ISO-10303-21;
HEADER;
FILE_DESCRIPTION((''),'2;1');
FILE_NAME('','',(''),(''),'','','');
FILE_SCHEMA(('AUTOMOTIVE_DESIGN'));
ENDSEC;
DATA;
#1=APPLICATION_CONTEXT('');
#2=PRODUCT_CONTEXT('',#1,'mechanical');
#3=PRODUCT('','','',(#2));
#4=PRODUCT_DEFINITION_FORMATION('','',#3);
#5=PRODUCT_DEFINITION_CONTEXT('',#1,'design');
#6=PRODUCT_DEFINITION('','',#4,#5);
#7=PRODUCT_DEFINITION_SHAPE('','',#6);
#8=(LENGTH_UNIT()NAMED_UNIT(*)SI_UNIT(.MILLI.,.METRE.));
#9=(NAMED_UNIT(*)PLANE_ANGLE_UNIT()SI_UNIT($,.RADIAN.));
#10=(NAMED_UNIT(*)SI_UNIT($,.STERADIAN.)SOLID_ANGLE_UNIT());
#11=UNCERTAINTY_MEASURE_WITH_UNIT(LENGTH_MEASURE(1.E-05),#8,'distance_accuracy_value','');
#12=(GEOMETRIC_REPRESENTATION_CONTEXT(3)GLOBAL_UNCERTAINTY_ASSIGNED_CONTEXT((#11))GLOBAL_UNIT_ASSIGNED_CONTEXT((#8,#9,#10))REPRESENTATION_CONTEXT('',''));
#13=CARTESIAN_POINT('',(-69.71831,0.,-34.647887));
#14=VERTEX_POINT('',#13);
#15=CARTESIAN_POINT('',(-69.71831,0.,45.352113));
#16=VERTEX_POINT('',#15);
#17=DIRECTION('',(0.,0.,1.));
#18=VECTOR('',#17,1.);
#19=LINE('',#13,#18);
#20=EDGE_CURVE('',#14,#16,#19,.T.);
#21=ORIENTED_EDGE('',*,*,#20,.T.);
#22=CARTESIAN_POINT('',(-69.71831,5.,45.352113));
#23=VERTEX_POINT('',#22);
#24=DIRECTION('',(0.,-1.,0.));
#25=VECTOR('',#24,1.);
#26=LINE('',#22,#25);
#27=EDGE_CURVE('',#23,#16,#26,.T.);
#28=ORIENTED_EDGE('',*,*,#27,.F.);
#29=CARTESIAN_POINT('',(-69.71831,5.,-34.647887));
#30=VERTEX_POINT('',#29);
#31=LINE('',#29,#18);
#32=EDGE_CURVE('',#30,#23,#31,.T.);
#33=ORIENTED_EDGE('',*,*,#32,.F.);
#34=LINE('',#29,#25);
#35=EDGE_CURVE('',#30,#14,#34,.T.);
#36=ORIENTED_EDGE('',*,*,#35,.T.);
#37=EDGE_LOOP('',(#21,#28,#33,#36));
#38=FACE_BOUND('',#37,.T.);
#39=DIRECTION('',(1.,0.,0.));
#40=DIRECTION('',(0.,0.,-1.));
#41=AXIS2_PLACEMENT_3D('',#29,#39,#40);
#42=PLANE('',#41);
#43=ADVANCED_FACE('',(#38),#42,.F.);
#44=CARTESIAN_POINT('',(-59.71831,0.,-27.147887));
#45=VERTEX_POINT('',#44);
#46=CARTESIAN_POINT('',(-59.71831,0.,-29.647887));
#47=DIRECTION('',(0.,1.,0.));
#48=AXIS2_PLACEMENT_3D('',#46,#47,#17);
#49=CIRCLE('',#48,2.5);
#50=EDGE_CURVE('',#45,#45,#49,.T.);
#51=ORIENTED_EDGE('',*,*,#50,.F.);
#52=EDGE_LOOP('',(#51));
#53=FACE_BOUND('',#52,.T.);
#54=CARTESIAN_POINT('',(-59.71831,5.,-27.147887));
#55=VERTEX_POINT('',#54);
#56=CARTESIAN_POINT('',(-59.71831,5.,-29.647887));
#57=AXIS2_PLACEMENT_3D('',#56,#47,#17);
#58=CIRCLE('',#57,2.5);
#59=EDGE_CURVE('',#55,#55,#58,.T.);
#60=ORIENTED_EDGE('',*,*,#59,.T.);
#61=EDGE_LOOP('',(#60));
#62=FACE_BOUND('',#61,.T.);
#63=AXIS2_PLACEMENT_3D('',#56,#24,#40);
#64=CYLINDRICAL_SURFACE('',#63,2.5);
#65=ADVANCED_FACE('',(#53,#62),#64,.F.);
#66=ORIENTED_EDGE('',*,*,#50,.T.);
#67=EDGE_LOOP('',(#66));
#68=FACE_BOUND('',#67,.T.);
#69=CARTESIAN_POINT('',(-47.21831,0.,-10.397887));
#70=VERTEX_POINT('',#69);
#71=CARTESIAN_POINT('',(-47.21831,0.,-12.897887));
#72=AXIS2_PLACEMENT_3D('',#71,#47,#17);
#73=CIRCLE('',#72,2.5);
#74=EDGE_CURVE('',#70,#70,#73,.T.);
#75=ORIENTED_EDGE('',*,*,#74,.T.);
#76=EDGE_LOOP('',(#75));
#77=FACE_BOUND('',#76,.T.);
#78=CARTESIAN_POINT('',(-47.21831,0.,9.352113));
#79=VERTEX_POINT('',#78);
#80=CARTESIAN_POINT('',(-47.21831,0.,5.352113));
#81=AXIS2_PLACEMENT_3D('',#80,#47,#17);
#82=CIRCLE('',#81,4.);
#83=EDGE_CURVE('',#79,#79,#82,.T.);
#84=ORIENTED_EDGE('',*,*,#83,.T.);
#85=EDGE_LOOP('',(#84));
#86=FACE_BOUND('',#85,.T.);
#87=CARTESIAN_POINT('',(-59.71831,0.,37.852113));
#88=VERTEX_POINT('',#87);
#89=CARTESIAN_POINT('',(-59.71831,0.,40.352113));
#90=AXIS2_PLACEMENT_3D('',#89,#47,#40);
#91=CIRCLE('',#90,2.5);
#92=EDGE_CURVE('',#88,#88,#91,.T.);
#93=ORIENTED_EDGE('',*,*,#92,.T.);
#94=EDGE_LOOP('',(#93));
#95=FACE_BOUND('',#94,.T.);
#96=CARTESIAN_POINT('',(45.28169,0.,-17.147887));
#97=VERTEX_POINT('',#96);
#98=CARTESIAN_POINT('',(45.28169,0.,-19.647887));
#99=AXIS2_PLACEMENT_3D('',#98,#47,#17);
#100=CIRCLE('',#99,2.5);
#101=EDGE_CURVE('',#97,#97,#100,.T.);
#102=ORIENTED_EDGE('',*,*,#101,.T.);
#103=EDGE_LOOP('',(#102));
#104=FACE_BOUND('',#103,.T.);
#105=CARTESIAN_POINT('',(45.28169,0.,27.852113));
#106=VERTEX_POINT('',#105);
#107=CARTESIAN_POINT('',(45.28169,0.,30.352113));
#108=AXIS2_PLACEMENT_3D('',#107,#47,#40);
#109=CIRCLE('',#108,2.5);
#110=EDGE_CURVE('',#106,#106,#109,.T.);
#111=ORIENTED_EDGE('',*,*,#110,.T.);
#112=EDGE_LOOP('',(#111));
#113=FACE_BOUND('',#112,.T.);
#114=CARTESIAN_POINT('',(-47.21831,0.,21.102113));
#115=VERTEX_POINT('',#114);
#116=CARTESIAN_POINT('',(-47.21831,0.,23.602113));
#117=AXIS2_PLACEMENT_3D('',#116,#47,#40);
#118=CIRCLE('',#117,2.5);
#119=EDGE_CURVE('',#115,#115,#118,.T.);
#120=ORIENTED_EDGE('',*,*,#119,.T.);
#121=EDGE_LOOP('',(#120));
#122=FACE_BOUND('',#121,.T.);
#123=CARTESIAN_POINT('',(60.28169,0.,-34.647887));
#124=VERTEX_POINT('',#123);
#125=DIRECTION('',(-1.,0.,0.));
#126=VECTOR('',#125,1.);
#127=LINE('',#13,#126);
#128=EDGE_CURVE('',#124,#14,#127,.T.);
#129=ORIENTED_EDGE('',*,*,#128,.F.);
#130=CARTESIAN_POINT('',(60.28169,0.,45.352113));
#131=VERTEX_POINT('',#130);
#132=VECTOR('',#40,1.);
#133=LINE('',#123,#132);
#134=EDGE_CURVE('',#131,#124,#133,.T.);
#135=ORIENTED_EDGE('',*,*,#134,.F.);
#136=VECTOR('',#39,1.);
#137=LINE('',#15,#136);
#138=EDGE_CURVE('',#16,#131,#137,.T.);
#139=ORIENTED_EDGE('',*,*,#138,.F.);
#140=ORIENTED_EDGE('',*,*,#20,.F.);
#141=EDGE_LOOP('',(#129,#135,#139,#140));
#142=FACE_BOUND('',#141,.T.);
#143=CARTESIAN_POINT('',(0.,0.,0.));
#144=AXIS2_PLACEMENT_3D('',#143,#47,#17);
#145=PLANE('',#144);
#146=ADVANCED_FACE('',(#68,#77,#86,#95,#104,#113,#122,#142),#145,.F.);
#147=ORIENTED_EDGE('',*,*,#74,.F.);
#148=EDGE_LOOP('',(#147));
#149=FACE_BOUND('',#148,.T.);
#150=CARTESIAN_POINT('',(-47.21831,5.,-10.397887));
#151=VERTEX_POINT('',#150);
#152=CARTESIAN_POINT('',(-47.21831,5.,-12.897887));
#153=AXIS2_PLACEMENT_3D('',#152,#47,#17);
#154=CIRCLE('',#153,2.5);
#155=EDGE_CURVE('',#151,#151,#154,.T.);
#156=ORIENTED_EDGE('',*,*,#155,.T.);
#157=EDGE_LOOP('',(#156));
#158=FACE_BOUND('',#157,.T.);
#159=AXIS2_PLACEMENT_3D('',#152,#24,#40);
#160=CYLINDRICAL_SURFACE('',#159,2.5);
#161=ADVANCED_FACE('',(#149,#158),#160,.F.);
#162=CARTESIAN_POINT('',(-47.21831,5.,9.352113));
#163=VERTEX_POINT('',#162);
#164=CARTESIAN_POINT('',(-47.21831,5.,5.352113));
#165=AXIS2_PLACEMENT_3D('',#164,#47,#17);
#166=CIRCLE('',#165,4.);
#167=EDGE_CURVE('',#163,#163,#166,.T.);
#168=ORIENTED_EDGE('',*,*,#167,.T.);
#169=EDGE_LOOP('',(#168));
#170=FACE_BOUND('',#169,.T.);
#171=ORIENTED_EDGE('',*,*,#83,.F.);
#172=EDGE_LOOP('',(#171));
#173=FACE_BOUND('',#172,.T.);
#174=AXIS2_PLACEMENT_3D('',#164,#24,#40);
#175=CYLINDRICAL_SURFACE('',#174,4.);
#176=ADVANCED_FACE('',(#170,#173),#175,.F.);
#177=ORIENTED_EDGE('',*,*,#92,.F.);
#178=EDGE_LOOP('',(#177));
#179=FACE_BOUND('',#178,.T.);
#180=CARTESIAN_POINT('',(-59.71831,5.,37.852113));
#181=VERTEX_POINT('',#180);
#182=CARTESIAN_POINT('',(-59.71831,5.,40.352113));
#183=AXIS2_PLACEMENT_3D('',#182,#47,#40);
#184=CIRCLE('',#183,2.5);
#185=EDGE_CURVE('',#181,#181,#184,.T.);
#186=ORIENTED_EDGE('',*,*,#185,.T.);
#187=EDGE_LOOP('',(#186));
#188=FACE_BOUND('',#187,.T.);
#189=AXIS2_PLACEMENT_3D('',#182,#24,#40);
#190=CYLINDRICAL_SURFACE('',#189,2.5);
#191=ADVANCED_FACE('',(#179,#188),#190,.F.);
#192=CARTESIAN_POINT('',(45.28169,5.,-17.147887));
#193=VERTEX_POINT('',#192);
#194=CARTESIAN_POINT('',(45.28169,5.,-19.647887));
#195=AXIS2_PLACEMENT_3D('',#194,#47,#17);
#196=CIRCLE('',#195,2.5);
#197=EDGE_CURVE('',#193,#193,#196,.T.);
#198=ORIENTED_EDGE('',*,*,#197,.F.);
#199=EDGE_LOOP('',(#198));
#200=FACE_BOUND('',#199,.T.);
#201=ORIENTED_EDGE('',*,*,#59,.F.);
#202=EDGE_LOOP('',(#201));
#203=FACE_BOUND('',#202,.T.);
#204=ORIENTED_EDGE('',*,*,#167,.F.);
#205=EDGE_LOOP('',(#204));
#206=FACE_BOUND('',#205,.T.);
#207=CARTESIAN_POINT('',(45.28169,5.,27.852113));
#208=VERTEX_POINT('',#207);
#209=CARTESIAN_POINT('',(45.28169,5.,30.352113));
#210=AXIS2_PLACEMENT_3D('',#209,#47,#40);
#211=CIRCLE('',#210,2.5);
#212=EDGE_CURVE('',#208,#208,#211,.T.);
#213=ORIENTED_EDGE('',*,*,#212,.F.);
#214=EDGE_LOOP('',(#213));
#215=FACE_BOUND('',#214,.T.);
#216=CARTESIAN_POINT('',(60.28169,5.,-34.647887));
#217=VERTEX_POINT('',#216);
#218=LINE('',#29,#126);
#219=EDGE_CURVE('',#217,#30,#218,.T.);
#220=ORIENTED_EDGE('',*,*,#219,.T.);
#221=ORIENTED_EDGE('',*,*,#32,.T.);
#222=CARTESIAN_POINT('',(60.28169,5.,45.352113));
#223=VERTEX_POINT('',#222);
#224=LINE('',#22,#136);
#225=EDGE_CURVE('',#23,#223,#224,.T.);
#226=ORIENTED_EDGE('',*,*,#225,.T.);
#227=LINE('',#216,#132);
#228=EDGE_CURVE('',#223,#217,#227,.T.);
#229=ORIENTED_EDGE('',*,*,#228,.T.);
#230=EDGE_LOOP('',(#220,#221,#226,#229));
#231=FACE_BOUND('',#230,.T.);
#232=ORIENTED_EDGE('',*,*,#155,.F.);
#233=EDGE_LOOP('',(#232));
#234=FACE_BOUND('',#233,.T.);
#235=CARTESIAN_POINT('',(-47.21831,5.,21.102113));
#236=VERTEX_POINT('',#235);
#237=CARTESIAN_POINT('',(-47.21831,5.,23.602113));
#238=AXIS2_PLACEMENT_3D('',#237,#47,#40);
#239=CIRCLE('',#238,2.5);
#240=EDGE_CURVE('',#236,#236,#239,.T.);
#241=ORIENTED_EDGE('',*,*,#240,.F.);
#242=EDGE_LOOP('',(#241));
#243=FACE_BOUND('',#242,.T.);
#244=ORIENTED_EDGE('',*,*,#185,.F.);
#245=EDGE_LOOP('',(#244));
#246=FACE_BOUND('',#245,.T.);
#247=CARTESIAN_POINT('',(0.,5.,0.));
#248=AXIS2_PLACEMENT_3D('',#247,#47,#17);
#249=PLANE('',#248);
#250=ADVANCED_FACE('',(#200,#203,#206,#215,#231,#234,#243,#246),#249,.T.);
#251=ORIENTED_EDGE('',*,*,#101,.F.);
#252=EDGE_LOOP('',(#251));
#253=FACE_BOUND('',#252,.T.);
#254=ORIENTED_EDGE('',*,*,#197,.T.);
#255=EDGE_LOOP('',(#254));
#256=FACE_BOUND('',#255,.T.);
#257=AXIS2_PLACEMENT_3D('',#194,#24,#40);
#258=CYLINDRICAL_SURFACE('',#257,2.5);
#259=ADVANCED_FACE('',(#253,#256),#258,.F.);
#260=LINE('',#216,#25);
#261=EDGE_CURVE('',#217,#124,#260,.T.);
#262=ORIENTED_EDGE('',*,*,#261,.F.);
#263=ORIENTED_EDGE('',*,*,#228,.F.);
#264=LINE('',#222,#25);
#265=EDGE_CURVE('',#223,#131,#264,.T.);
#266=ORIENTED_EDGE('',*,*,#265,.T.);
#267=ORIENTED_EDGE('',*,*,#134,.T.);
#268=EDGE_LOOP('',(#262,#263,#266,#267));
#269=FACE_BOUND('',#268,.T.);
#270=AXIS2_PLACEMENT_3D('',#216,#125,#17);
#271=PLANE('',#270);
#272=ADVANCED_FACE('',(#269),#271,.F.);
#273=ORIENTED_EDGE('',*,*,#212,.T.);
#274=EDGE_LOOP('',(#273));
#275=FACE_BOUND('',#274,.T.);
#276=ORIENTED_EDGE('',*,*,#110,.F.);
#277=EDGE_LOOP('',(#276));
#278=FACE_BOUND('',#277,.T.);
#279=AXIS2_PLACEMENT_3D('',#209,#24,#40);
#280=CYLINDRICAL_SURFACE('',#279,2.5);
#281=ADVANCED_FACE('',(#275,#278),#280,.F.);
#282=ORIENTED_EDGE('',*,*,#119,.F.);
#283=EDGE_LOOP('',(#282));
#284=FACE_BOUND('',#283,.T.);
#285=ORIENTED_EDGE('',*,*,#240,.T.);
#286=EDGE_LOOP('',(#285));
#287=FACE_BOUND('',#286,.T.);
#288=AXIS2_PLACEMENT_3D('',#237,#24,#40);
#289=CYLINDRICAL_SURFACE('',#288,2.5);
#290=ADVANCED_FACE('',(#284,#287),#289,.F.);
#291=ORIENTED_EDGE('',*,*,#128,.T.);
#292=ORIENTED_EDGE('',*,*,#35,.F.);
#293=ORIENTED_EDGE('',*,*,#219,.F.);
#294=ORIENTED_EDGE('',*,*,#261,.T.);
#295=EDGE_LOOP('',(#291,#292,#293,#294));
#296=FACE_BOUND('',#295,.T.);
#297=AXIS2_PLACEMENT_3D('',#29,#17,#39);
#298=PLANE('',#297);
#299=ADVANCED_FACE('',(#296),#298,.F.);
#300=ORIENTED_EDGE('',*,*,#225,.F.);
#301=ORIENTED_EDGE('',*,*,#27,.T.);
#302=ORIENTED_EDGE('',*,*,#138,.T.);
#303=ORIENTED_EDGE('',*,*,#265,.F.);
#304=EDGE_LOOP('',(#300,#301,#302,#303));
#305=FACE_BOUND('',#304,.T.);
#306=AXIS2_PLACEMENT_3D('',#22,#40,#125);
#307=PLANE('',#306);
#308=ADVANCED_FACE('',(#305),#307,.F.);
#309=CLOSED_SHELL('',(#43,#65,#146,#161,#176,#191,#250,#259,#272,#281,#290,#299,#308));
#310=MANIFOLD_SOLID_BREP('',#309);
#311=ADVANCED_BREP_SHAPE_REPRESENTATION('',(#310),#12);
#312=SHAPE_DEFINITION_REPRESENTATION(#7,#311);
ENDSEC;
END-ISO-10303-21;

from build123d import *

# Parameters (mm, degrees)
SKETCH1_W           = 130
SKETCH1_H           = 80
SKETCH1_R           = 4
SKETCH1_R_2         = 2.5
BOSS_EXTRUDE1_DEPTH = 5


with BuildPart() as part:
    # Sketch1 → Boss-Extrude1 (new body)
    with BuildSketch(Plane(origin=(0, 0, 0), x_dir=(1, 0, 0), z_dir=(0, 1, 0))):
        with Locations((-4.718309859, -5.352112676)):
            Rectangle(SKETCH1_W, SKETCH1_H)
        with Locations(Location((-47.218309859, -5.352112676, 0), (0, 0, 270))):
            Circle(SKETCH1_R, mode=Mode.SUBTRACT)
        with Locations(Location((45.281690141, 19.647887324, 0), (0, 0, 270))):
            Circle(SKETCH1_R_2, mode=Mode.SUBTRACT)
        with Locations(Location((-59.718309859, 29.647887324, 0), (0, 0, 270))):
            Circle(SKETCH1_R_2, mode=Mode.SUBTRACT)
        with Locations(Location((45.281690141, -30.352112676, 0), (0, 0, 90))):
            Circle(SKETCH1_R_2, mode=Mode.SUBTRACT)
        with Locations(Location((-59.718309859, -40.352112676, 0), (0, 0, 90))):
            Circle(SKETCH1_R_2, mode=Mode.SUBTRACT)
        with Locations(Location((-47.218309859, 12.897887324, 0), (0, 0, 270))):
            Circle(SKETCH1_R_2, mode=Mode.SUBTRACT)
        with Locations(Location((-47.218309859, -23.602112676, 0), (0, 0, 90))):
            Circle(SKETCH1_R_2, mode=Mode.SUBTRACT)
    extrude(amount=BOSS_EXTRUDE1_DEPTH)


solid = part.part
